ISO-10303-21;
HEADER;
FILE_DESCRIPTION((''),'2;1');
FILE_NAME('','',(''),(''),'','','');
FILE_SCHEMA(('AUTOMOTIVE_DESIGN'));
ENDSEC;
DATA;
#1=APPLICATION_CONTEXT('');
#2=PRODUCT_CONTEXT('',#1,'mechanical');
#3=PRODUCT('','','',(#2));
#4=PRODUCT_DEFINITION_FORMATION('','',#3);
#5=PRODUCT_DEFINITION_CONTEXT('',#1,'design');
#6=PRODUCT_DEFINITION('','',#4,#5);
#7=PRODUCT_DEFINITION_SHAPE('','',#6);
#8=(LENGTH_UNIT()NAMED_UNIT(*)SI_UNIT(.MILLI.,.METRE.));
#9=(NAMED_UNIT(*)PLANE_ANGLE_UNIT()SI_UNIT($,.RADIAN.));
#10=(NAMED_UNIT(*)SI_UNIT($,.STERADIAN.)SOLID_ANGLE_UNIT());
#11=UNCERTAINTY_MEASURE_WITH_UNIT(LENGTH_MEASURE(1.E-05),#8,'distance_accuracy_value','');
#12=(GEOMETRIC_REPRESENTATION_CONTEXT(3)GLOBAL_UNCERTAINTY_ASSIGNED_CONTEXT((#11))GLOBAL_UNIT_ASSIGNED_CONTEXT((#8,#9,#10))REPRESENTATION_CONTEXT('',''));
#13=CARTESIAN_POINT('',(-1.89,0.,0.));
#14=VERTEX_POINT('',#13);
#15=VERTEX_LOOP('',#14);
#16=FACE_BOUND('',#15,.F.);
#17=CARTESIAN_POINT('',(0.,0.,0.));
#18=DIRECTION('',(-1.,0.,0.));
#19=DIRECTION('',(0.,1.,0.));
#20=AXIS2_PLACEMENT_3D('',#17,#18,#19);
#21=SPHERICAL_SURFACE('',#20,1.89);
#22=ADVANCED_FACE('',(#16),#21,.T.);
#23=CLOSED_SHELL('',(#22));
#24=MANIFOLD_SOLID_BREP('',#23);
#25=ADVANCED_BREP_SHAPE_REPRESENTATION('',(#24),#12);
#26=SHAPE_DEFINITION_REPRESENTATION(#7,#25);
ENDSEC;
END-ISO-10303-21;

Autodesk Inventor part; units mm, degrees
sketch "Sketch_1" plane through (0, 0, 0) normal (0, 0, 1) x (1, 0, 0)
  line L0 (1.89, 0) -> (-1.89, 0)
  arc A0 (1.89, 0) -> (-1.89, 0) centre (0, 0) ccw
  line L1 (1.89, 0) -> (-1.89, 0)
revolve "Revolution1" add sketch "Sketch_1" angle 360 about axis through (1.89, 0, 0) along (1, 0, 0)
ref_plane "Ball_OR_XY" through (0, 0, 0) normal (1, 0, 0) x (0, 0, -1)
ref_plane "Ball_OR_YZ" through (0, 0, 0) normal (0, 0, -1) x (0, 1, 0)
ref_plane "Ball_OR_ZX" through (0, 0, 0) normal (0, 1, 0) x (1, 0, 0)
properties part number "040400DR-22-H4W(0.5)3_ball"
